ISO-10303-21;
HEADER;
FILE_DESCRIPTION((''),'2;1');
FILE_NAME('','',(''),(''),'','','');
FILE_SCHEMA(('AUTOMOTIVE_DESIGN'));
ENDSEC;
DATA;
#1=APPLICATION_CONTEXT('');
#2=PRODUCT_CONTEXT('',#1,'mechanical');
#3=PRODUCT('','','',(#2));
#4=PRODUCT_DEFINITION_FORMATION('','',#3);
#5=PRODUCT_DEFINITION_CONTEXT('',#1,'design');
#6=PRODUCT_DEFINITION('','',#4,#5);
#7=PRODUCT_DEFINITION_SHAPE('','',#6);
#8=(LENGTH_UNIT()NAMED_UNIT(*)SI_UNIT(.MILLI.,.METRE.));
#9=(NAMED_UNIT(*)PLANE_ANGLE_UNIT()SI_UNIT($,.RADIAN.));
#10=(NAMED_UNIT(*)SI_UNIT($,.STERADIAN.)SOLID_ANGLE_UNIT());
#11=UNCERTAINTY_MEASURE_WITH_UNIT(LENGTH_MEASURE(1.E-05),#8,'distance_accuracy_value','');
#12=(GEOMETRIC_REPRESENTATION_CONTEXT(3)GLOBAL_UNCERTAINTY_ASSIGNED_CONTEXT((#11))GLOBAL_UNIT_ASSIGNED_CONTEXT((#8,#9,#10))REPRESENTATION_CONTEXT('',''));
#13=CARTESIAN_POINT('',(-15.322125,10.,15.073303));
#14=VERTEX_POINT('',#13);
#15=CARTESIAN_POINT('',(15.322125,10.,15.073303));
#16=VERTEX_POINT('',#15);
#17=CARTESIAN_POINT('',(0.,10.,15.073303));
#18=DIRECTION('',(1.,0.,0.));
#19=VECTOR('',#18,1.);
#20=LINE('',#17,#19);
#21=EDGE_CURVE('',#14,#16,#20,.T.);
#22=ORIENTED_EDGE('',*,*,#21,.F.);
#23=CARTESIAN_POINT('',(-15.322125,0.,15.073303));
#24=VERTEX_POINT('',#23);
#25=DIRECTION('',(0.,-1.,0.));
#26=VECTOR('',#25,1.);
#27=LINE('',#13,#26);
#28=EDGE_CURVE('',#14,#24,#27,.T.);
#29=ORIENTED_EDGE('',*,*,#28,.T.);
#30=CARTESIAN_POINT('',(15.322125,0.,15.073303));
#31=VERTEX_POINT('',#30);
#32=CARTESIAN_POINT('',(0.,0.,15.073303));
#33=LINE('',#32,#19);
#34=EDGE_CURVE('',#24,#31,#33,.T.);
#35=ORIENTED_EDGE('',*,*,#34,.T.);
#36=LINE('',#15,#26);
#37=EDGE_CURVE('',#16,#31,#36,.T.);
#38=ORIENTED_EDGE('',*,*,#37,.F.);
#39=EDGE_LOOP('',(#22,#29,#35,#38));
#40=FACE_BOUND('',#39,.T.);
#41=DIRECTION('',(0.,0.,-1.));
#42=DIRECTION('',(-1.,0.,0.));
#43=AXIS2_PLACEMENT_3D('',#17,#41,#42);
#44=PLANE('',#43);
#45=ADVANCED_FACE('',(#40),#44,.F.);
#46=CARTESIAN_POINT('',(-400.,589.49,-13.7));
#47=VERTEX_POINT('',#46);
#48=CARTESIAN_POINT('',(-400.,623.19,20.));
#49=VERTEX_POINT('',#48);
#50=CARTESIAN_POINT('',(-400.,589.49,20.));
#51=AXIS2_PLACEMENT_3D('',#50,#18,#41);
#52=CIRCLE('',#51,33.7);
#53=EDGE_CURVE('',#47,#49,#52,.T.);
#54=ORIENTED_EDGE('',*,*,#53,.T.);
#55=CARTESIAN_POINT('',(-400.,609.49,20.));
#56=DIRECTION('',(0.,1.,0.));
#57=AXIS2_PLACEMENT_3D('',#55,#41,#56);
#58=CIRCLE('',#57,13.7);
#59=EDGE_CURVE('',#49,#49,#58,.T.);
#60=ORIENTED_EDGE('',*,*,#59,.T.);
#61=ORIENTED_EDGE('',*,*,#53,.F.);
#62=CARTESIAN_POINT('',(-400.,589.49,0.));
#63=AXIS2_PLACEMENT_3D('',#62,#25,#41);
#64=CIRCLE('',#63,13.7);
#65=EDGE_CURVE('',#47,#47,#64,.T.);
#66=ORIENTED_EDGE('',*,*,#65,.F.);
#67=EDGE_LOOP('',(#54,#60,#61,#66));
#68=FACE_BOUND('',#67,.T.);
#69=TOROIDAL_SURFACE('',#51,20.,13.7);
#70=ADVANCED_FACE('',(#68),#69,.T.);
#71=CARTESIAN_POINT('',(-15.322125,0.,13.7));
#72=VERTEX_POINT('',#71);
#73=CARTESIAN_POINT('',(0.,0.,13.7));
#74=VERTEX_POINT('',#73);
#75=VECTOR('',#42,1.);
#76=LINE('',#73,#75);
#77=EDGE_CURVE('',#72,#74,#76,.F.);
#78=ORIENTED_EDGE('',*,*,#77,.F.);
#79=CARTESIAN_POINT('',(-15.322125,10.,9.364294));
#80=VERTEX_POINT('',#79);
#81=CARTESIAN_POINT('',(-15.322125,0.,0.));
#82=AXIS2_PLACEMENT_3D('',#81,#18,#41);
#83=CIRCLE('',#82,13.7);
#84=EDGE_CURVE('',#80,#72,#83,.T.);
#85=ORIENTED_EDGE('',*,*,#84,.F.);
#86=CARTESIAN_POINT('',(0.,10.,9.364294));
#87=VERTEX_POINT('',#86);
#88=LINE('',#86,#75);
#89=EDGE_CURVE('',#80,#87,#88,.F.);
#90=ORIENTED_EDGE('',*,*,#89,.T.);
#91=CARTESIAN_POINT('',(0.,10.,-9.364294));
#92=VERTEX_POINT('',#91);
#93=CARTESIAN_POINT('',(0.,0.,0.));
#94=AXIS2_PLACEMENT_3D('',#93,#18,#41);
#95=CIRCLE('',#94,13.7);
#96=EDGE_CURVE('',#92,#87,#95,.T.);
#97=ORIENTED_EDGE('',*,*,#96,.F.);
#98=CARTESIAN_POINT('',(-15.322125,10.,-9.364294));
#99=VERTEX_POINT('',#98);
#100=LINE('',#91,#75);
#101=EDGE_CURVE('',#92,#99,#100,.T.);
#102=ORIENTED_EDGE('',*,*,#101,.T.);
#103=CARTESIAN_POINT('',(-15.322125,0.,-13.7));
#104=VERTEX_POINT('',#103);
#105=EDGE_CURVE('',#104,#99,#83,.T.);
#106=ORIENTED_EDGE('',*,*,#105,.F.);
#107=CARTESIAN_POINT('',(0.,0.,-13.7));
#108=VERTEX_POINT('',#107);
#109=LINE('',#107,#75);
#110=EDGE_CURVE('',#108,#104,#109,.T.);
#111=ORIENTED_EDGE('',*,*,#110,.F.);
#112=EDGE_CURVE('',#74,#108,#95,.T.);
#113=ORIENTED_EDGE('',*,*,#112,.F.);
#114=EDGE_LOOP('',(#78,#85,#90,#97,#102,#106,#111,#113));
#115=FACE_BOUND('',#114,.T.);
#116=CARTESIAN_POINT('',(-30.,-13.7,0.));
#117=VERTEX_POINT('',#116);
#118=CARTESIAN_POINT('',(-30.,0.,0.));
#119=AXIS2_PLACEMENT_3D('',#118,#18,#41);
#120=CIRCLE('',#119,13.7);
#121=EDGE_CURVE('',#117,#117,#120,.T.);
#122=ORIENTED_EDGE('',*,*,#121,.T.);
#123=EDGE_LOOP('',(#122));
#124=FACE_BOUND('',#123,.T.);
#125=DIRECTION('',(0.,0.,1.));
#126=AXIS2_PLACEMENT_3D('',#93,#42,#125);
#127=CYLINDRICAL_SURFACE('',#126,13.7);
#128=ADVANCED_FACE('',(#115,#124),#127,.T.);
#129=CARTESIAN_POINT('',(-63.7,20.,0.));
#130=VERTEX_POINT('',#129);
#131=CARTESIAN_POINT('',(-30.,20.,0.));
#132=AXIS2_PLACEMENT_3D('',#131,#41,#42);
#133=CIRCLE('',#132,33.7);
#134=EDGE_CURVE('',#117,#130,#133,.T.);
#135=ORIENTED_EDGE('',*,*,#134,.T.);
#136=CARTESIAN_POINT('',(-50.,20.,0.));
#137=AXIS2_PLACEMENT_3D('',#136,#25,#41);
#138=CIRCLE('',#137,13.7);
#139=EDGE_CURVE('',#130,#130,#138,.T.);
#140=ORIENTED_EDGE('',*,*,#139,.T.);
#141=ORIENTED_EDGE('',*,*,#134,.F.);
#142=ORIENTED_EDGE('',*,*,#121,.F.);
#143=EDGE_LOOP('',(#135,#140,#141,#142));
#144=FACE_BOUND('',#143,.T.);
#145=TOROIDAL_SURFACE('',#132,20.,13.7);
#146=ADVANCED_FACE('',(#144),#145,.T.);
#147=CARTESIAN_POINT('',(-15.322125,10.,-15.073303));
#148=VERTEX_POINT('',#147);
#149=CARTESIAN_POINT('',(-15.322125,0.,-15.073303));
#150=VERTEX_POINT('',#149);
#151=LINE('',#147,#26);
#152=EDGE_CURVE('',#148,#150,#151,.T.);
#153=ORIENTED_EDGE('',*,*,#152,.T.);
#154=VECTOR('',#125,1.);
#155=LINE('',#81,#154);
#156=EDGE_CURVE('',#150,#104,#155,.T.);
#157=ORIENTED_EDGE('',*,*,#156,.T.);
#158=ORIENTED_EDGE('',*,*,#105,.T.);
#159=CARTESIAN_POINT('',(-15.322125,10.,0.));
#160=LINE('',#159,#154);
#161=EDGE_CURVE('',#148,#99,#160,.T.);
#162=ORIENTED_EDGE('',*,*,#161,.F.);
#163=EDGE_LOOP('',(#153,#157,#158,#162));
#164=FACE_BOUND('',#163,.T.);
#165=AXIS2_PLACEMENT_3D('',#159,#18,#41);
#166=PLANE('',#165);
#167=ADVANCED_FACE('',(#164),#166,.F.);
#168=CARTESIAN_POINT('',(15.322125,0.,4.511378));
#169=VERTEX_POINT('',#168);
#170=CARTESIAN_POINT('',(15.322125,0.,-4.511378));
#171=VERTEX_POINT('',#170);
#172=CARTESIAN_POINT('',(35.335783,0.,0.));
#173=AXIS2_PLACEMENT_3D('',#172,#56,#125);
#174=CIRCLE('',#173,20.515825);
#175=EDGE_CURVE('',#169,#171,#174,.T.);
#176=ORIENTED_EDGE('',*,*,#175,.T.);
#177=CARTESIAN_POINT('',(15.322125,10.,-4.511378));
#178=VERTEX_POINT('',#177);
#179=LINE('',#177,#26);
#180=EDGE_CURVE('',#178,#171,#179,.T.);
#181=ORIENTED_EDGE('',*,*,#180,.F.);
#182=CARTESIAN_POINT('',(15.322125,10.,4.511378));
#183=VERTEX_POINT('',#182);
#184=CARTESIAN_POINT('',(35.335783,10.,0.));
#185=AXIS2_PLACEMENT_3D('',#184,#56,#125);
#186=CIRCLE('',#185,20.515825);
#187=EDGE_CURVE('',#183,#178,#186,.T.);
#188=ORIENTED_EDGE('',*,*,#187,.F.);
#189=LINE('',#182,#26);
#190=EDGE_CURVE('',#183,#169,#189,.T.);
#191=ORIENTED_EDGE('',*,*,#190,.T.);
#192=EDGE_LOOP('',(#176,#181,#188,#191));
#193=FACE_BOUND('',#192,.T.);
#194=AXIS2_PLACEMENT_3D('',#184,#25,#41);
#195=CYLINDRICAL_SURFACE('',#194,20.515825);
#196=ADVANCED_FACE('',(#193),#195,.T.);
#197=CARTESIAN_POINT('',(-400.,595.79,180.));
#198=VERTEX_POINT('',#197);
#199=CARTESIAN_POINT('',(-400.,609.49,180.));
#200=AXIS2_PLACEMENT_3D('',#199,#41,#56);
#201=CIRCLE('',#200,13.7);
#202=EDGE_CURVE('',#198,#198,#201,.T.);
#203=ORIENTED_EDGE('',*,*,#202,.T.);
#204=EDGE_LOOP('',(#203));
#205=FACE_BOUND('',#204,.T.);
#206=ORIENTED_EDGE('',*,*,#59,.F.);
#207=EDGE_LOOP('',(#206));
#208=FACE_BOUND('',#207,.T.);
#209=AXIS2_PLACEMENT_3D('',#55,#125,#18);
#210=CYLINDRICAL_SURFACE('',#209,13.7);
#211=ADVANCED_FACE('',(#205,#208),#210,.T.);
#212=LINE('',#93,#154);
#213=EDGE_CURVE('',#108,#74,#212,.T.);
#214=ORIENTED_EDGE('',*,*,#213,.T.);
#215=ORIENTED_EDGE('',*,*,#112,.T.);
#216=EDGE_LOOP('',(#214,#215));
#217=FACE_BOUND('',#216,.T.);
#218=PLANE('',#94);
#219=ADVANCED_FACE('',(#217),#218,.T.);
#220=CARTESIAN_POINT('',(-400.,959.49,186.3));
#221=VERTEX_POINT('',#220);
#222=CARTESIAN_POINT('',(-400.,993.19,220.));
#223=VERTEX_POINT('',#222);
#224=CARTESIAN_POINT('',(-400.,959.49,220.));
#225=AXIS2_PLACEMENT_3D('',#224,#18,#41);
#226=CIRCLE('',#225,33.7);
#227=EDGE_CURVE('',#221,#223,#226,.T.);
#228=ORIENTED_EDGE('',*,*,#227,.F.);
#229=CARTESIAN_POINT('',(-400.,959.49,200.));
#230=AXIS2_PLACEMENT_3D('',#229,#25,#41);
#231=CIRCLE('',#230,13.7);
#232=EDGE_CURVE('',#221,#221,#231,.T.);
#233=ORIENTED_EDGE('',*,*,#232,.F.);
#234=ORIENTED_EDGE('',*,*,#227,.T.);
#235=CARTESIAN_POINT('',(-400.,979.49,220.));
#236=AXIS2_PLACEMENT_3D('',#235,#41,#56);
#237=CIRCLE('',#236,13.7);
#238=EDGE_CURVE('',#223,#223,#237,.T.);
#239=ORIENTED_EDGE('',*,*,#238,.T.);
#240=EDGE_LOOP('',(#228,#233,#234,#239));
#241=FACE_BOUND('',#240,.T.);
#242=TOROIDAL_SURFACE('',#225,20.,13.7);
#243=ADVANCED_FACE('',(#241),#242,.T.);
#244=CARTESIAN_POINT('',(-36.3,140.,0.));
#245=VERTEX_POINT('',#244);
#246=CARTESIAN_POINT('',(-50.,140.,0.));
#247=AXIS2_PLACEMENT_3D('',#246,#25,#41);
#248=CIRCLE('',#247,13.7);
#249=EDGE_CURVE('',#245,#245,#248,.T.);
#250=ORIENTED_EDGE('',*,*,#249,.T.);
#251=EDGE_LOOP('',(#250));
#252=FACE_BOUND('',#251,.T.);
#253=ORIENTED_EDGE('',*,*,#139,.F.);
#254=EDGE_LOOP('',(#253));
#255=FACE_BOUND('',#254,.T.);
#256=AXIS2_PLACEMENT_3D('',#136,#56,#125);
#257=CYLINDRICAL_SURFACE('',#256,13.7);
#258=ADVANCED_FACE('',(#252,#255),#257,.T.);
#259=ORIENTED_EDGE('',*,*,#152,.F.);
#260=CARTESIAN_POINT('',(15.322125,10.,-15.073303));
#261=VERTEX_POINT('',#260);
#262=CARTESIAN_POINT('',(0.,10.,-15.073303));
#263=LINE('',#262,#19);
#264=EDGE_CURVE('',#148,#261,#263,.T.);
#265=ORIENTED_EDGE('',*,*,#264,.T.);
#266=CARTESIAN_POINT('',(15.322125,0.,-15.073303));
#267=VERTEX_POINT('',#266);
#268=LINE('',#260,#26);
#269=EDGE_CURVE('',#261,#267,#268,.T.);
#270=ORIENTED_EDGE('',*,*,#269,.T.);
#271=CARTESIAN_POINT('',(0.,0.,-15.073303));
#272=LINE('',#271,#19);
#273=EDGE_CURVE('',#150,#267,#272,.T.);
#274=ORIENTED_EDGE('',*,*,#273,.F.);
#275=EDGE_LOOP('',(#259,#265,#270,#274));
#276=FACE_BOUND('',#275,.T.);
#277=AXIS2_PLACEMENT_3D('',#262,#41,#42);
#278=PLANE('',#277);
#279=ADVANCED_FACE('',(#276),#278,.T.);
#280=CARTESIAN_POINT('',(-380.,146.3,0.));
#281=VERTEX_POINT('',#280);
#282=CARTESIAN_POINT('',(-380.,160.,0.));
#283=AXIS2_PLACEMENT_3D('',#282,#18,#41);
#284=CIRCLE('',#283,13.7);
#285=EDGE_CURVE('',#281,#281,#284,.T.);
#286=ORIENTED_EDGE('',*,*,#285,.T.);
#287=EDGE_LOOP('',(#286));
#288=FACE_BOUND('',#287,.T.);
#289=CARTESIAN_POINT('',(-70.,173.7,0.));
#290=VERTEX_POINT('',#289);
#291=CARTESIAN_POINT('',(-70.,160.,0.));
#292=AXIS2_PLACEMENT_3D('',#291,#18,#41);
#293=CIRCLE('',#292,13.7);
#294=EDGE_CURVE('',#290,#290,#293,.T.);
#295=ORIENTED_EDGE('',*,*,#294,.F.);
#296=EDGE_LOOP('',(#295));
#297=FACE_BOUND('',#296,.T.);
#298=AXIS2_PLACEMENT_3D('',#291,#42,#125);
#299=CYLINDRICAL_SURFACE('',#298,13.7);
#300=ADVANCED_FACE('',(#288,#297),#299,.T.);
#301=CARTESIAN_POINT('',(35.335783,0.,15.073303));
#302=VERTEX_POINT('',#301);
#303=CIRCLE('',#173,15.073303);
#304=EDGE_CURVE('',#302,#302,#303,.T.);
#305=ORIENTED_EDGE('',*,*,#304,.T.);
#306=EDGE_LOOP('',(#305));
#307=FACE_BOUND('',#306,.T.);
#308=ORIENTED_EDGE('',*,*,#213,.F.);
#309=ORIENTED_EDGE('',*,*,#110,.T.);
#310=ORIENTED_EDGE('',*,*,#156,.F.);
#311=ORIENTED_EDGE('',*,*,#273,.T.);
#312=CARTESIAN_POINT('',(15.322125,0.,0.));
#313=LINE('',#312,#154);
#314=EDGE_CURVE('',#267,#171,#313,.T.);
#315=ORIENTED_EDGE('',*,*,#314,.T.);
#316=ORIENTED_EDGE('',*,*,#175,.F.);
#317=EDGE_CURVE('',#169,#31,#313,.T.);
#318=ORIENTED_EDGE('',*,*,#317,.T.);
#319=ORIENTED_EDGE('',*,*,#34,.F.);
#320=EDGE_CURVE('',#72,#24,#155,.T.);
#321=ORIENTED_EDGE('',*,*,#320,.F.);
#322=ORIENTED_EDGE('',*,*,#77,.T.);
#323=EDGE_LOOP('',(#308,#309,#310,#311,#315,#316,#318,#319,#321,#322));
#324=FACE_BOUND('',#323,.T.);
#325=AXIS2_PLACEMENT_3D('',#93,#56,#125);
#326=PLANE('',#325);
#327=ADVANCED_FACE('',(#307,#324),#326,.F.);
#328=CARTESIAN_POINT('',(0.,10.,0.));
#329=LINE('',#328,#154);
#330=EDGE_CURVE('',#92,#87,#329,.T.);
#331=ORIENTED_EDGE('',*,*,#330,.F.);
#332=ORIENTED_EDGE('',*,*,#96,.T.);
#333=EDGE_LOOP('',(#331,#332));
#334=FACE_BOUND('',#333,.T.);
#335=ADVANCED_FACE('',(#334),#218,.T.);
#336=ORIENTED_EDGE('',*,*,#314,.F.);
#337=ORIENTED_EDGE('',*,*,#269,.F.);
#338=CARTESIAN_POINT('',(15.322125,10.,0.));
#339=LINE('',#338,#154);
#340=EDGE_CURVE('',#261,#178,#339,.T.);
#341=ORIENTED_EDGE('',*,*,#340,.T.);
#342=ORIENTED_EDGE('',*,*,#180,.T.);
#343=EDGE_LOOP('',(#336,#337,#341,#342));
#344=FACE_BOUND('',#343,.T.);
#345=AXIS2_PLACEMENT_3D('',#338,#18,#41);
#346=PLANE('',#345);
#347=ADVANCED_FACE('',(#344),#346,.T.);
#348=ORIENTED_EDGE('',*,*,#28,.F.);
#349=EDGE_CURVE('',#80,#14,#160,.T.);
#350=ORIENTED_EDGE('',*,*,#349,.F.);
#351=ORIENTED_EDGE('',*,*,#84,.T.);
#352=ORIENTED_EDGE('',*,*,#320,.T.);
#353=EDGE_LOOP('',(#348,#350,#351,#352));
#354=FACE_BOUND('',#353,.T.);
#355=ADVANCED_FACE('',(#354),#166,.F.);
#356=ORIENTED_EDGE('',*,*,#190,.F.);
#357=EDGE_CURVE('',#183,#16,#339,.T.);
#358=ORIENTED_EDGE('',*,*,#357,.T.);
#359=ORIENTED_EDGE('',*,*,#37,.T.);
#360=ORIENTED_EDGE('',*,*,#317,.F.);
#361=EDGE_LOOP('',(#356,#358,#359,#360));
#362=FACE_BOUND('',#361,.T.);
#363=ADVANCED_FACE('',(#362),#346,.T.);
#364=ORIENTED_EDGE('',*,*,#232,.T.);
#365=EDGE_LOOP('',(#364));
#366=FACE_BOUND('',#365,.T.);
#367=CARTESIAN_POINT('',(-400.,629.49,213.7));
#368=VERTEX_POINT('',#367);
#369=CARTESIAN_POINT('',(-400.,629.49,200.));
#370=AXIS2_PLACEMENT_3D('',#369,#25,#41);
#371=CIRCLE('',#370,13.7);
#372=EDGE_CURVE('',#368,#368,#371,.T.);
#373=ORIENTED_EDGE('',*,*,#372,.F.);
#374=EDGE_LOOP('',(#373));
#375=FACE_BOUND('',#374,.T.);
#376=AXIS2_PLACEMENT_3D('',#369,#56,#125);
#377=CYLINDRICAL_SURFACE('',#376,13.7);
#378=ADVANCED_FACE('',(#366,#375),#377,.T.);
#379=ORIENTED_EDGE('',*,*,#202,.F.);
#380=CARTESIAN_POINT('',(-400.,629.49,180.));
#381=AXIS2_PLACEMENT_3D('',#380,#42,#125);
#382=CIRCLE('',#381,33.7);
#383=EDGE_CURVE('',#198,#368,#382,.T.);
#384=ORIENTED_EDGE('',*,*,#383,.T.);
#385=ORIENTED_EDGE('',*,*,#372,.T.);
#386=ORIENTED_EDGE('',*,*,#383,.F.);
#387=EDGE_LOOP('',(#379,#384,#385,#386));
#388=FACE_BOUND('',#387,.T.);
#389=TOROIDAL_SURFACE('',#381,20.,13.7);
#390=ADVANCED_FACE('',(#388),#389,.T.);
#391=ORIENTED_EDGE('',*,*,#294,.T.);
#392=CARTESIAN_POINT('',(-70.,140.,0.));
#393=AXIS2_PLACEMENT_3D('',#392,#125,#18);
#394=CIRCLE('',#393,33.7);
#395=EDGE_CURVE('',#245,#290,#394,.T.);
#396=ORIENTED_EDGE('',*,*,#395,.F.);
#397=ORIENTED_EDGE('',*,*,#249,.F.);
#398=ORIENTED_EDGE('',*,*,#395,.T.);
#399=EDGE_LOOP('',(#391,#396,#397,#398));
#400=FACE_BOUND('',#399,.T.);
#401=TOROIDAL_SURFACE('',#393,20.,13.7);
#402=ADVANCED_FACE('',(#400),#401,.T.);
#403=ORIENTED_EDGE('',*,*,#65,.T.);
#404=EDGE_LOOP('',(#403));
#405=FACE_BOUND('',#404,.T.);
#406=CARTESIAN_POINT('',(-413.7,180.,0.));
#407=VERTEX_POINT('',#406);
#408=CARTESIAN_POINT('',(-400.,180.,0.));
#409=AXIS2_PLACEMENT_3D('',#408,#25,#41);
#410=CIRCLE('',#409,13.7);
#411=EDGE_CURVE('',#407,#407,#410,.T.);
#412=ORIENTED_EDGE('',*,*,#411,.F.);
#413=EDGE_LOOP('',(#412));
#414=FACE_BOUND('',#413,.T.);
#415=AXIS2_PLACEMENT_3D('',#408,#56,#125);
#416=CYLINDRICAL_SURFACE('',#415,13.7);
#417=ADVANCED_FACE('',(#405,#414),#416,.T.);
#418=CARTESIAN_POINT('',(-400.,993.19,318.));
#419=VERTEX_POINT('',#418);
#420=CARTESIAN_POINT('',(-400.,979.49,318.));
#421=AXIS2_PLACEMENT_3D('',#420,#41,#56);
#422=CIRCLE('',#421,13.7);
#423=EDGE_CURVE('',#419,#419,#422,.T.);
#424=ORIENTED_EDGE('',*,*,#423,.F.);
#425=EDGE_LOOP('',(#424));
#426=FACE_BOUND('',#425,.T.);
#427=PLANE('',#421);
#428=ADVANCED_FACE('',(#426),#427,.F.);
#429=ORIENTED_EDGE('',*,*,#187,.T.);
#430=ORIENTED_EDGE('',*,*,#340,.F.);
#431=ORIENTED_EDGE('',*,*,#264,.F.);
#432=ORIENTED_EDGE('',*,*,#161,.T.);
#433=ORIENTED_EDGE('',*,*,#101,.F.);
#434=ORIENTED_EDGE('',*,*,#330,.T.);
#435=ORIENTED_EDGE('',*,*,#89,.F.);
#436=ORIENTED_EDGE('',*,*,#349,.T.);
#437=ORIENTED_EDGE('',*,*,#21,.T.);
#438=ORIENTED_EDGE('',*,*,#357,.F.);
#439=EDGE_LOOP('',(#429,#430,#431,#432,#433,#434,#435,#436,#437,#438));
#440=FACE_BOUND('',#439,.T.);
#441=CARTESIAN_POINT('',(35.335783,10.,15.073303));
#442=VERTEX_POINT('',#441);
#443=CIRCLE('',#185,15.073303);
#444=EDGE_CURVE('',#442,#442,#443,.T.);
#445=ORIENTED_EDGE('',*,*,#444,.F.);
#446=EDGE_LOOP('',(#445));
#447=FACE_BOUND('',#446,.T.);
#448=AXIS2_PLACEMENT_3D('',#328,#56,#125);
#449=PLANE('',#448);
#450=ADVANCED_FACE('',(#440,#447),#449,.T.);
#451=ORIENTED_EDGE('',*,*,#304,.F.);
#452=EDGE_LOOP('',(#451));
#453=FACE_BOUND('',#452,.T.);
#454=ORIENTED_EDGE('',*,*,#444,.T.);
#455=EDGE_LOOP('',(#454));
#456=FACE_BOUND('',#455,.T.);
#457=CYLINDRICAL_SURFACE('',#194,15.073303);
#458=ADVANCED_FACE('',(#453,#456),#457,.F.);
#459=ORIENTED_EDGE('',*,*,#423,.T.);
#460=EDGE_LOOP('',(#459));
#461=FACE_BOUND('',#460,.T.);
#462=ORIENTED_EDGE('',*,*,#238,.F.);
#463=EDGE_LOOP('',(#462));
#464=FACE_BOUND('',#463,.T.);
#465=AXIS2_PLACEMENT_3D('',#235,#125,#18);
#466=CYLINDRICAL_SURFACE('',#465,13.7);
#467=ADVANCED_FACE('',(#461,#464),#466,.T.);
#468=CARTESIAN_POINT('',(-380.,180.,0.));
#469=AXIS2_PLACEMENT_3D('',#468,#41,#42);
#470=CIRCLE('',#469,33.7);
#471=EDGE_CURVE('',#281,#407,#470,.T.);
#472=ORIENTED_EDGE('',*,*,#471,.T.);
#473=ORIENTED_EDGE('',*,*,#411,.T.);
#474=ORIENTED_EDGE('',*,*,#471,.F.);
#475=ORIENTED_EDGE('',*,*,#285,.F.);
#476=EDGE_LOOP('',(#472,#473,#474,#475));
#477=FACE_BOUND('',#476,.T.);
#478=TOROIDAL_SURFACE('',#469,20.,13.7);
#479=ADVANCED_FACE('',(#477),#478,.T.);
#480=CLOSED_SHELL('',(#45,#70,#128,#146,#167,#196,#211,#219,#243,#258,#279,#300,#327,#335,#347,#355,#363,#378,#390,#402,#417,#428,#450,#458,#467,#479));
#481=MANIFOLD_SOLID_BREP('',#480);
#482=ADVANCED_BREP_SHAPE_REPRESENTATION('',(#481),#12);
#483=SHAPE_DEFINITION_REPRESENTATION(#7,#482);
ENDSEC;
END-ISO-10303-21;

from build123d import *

# Parameters (mm, degrees)
CROQUIS1_R              = 13.7
CROQUIS2_R              = 20.515824583
CROQUIS2_R_2            = 15.073303007
CROQUIS2_W              = 30.644249184
CROQUIS2_H              = 30.146606014
SALIENTE_EXTRUIR1_DEPTH = 10


with BuildPart() as part:
    # Barrer1: sweep along a curve in space
    with BuildLine() as barrer1_path:
        Line((0, 0, 0), (-30, 0, 0))
        ThreePointArc((-30, 0, 0), (-44.142135624, 5.857864376, 0), (-50, 20, 0))
        Line((-50, 20, 0), (-50, 140, 0))
        ThreePointArc((-50, 140, 0), (-55.857864376, 154.142135624, 0), (-70, 160, 0))
        Line((-70, 160, 0), (-380, 160, 0))
        ThreePointArc((-380, 160, 0), (-394.142135624, 165.857864376, 0), (-400, 180, 0))
        Line((-400, 180, 0), (-400, 589.49, 0))
        ThreePointArc((-400, 589.49, 0), (-400, 603.632135624, 5.857864376), (-400, 609.49, 20))
        Line((-400, 609.49, 20), (-400, 609.49, 180))
        ThreePointArc((-400, 609.49, 180), (-400, 615.347864376, 194.142135624), (-400, 629.49, 200))
        Line((-400, 629.49, 200), (-400, 959.49, 200))
        ThreePointArc((-400, 959.49, 200), (-400, 973.632135624, 205.857864376), (-400, 979.49, 220))
        Line((-400, 979.49, 220), (-400, 979.49, 318))
    # Croquis1 → Barrer1 (sweep)
    with BuildSketch(Plane(origin=(0, 0, 0), x_dir=(0, 0, -1), z_dir=(1, 0, 0))):
        Circle(CROQUIS1_R)
    sweep(path=barrer1_path.line)

    # Croquis2 → Saliente-Extruir1 (add)
    with BuildSketch(Plane(origin=(0, 0, 0), x_dir=(1, 0, 0), z_dir=(0, 1, 0))):
        with Locations((35.335783032, 0)):
            Circle(CROQUIS2_R)
        with Locations((35.335783032, 0)):
            Circle(CROQUIS2_R_2, mode=Mode.SUBTRACT)
        Rectangle(CROQUIS2_W, CROQUIS2_H)
    extrude(amount=SALIENTE_EXTRUIR1_DEPTH)


solid = part.part
